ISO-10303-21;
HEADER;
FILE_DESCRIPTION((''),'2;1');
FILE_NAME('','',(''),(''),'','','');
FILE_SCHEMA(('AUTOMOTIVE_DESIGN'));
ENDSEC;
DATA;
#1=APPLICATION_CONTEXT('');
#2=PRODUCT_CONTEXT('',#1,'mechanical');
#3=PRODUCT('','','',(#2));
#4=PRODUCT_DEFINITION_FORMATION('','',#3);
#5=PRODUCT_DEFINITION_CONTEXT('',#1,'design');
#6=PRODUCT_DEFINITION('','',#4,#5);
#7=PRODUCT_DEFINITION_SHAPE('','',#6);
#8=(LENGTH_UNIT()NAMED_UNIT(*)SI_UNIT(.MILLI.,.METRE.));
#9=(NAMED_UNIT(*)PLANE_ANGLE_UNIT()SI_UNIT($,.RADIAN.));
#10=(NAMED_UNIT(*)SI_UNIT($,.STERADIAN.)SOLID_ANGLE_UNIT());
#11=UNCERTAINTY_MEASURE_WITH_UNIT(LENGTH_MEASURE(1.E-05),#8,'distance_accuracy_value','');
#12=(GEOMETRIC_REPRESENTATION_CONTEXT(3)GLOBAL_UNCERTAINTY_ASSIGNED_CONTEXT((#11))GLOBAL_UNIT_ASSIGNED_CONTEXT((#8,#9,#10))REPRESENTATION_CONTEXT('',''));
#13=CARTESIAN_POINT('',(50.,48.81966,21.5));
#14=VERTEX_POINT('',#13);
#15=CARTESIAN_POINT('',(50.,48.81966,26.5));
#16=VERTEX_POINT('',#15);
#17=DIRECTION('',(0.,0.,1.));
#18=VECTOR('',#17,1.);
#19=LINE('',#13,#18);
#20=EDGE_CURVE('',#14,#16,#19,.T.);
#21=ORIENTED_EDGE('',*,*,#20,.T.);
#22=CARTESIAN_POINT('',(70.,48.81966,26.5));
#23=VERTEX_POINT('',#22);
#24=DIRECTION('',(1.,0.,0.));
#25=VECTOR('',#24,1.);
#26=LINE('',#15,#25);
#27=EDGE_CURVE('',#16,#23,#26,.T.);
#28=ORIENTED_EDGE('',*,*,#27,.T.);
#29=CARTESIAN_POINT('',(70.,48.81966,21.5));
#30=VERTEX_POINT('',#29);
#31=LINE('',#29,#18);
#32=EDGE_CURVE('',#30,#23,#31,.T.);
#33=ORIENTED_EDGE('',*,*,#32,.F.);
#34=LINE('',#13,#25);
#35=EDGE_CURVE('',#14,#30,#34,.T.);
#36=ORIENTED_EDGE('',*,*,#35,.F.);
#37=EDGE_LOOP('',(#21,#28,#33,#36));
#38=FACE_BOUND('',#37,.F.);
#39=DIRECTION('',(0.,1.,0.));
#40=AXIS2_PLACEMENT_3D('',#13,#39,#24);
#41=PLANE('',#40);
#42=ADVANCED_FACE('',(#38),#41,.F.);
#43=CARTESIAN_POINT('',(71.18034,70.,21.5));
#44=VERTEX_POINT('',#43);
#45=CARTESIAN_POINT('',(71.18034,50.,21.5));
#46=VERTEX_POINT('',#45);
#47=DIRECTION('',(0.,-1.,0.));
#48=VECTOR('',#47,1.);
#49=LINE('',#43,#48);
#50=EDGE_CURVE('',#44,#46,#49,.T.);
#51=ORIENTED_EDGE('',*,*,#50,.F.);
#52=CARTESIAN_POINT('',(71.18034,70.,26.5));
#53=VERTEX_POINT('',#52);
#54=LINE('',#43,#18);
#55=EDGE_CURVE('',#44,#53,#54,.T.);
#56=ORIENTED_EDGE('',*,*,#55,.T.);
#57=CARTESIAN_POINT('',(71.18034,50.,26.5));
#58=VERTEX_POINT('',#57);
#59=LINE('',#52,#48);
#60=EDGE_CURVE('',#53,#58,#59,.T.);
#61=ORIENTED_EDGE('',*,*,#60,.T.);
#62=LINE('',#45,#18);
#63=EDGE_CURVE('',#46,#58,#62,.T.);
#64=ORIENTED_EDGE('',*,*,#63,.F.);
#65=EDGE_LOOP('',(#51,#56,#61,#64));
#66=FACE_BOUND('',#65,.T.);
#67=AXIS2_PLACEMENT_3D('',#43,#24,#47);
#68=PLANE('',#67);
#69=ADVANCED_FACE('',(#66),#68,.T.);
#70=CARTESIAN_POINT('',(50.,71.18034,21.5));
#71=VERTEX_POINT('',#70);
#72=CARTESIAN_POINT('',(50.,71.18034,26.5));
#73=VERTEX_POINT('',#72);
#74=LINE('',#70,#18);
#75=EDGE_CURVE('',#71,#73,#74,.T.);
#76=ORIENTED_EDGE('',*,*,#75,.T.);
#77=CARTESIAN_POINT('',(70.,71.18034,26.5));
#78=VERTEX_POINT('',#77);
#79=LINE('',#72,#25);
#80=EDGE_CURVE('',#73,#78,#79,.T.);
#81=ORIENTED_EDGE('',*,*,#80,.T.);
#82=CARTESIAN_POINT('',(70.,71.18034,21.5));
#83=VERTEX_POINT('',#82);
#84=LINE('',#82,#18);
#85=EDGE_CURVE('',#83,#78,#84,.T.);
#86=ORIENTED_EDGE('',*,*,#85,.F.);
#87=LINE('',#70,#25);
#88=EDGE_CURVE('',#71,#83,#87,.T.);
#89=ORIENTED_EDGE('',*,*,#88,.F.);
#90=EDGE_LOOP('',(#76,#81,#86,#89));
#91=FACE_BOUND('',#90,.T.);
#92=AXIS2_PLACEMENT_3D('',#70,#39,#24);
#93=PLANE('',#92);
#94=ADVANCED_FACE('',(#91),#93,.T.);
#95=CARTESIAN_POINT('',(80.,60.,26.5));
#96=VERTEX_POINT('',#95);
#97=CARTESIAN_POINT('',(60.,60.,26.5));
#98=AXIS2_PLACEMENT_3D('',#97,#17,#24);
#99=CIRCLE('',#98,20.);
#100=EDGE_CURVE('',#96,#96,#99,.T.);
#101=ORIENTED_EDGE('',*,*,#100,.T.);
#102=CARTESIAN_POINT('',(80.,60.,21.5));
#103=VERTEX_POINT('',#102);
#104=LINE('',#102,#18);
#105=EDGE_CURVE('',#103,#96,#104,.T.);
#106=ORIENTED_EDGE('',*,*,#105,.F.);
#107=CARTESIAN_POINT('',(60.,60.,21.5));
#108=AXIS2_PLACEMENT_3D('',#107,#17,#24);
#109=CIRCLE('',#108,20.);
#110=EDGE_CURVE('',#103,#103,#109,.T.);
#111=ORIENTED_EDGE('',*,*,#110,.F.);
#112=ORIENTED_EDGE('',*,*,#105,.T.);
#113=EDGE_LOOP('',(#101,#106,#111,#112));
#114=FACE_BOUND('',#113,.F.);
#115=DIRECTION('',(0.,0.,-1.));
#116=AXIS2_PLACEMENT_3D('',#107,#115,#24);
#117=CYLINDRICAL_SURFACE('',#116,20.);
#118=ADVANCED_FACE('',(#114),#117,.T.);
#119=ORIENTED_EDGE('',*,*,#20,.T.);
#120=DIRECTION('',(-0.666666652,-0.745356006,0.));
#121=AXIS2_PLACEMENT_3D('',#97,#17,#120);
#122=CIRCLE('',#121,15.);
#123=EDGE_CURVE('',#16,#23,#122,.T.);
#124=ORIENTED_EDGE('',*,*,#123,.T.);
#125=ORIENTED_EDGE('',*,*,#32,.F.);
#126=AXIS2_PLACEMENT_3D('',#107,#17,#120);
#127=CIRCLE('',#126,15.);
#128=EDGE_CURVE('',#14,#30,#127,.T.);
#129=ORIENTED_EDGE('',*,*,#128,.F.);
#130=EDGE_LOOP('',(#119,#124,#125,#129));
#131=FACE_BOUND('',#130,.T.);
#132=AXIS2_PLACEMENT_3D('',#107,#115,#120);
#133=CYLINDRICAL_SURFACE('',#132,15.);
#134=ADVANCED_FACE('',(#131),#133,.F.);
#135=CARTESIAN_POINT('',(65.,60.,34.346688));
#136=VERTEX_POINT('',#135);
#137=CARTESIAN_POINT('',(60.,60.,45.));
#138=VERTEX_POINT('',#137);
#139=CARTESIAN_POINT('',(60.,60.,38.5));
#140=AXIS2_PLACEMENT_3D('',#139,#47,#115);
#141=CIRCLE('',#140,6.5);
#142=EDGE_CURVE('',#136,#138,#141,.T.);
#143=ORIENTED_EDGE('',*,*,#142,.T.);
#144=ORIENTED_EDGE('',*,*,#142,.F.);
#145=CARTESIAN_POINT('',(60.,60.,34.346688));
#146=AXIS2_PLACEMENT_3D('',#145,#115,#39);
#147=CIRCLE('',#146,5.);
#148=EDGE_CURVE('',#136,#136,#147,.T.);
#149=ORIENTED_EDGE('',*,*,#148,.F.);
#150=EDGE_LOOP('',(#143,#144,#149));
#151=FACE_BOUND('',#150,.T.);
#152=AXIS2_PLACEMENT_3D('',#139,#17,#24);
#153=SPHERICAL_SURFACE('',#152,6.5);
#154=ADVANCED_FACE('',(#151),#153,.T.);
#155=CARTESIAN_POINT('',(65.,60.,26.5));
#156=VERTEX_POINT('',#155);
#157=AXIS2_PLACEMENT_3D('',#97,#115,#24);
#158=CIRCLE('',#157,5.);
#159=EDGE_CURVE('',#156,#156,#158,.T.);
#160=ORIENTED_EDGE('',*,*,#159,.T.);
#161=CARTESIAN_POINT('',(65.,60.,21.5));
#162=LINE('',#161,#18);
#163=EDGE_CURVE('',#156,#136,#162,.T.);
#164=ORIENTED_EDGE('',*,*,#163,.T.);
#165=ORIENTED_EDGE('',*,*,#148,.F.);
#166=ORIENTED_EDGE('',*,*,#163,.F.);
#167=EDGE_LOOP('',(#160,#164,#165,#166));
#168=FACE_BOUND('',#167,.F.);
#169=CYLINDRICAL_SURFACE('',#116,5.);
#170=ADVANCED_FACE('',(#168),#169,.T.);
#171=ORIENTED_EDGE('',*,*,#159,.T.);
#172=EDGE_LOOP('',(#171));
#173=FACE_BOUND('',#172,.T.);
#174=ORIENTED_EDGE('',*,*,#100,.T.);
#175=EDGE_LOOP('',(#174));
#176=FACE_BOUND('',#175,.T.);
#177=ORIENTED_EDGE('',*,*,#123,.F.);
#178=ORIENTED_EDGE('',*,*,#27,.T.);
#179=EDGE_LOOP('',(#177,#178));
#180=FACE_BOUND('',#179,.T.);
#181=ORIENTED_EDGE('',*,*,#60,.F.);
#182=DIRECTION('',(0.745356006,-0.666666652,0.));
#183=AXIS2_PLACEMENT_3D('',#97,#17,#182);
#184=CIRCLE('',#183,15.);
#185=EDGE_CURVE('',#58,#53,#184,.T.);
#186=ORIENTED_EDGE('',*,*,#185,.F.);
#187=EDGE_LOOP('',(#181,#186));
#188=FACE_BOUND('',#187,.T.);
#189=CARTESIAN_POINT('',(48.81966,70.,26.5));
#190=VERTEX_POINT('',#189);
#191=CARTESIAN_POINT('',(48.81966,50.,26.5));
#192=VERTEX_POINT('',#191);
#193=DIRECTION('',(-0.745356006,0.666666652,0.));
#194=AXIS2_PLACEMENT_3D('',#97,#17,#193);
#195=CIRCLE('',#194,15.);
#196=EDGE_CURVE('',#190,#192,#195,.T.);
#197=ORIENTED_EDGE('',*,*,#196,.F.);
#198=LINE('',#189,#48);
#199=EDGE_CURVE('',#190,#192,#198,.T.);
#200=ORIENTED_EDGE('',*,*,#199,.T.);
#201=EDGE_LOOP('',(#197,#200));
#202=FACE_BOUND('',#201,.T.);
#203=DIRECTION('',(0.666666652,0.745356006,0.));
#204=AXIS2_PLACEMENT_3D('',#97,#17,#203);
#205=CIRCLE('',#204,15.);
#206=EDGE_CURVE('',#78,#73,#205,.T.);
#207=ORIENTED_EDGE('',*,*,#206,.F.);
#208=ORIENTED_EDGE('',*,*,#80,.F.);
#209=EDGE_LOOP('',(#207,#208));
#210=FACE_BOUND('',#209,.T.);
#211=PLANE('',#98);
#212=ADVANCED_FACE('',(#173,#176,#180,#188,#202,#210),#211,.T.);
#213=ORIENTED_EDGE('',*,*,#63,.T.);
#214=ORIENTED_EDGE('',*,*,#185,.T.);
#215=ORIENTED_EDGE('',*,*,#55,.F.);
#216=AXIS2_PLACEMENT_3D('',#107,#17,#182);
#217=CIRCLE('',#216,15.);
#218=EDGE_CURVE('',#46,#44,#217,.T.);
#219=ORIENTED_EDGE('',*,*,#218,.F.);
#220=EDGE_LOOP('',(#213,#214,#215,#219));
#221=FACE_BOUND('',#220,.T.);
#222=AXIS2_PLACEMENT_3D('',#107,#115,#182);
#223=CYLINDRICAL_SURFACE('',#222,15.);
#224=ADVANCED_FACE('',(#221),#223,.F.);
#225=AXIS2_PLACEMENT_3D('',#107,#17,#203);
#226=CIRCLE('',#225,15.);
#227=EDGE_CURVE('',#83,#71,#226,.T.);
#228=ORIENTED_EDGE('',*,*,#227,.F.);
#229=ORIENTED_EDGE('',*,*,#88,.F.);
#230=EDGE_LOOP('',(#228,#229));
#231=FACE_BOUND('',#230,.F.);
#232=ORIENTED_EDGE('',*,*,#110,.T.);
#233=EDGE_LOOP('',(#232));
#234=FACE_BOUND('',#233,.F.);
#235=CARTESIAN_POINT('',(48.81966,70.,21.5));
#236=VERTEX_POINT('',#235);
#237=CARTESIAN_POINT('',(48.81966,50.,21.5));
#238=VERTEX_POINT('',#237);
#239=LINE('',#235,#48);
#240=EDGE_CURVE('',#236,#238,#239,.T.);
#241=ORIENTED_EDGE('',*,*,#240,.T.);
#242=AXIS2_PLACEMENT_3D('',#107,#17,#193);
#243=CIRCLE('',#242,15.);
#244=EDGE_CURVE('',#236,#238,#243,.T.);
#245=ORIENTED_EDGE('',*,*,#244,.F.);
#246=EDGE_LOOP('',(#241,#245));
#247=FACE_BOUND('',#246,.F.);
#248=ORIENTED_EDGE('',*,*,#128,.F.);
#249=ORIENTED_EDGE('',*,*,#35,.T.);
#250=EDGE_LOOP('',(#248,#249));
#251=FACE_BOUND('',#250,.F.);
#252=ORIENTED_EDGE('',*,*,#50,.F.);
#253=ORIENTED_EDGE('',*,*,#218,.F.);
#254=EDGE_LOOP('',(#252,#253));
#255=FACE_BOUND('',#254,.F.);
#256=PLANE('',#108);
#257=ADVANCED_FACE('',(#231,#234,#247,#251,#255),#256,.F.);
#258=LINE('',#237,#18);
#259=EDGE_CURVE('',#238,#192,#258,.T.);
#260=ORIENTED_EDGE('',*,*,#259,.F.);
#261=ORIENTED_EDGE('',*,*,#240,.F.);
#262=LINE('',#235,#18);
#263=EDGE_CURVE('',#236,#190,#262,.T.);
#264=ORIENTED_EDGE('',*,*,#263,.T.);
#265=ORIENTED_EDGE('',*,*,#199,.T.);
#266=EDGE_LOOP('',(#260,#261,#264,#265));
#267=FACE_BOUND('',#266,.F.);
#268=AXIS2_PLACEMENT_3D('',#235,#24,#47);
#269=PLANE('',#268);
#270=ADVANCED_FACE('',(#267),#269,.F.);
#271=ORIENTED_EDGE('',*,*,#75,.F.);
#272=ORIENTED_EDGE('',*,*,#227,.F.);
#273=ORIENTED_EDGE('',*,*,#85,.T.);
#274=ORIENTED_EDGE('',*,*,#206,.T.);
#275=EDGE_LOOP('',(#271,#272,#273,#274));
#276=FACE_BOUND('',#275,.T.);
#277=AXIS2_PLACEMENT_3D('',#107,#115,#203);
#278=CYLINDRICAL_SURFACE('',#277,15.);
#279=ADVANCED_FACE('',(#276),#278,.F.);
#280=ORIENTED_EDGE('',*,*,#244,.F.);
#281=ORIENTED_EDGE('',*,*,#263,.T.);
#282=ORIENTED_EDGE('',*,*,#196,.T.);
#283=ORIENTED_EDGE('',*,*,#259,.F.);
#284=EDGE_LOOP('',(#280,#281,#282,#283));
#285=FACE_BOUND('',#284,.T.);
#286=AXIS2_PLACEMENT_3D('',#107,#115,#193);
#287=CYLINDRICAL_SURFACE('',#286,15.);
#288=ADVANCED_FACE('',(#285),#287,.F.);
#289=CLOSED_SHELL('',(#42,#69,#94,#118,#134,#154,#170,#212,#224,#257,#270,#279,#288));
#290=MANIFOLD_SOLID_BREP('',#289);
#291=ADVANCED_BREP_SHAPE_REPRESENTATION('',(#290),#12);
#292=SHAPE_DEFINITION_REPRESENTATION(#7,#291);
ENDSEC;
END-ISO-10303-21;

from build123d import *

# Parameters (mm, degrees)
SKETCH001_R       = 20
PAD001_DEPTH      = 5
CYLINDER012_R     = 5
CYLINDER012_DEPTH = 15


with BuildPart() as pad001:
    # Sketch001 → Pad001 (new body)
    with BuildSketch(Plane.XY):
        Circle(SKETCH001_R)
        with BuildLine():
            ThreePointArc((11.18034, -10), (15, 0), (11.18034, 10))
            Line((11.18034, 10), (11.18034, -10))
        make_face(mode=Mode.SUBTRACT)
        with BuildLine():
            ThreePointArc((-11.18034, 10), (-15, 0), (-11.18034, -10))
            Line((-11.18034, 10), (-11.18034, -10))
        make_face(mode=Mode.SUBTRACT)
        with BuildLine():
            ThreePointArc((10, 11.18034), (0, 15), (-10, 11.18034))
            Line((-10, 11.18034), (10, 11.18034))
        make_face(mode=Mode.SUBTRACT)
        with BuildLine():
            ThreePointArc((-10, -11.18034), (0, -15), (10, -11.18034))
            Line((-10, -11.18034), (10, -11.18034))
        make_face(mode=Mode.SUBTRACT)
    extrude(amount=PAD001_DEPTH)


with BuildPart() as sphere001:
    # Sphere001 → Sphere001 (revolve)
    with BuildSketch(Plane(origin=(0, 0, 17), x_dir=(1, 0, 0), z_dir=(0, -1, 0))):
        with BuildLine():
            ThreePointArc((0, -6.5), (6.5, 0), (0, 6.5))
            Line((0, 6.5), (0, -6.5))
        make_face()
    revolve(axis=Axis((0, 0, 17), (0, 0, 1)))


with BuildPart() as clone_of_piezacirculo002:
    # Cylinder012 → Cylinder012 (new body)
    with BuildSketch(Plane.XY):
        Circle(CYLINDER012_R)
    extrude(amount=CYLINDER012_DEPTH)

    # Fusion018: union Pad001, Sphere001
    add(pad001.part)
    add(sphere001.part)


with BuildPart() as clone_of_piezacirculo002_1:
    # Clone022 placement: moved
    add(clone_of_piezacirculo002.part.moved(Location((60, 60, 21.5))))


solid = clone_of_piezacirculo002_1.part
